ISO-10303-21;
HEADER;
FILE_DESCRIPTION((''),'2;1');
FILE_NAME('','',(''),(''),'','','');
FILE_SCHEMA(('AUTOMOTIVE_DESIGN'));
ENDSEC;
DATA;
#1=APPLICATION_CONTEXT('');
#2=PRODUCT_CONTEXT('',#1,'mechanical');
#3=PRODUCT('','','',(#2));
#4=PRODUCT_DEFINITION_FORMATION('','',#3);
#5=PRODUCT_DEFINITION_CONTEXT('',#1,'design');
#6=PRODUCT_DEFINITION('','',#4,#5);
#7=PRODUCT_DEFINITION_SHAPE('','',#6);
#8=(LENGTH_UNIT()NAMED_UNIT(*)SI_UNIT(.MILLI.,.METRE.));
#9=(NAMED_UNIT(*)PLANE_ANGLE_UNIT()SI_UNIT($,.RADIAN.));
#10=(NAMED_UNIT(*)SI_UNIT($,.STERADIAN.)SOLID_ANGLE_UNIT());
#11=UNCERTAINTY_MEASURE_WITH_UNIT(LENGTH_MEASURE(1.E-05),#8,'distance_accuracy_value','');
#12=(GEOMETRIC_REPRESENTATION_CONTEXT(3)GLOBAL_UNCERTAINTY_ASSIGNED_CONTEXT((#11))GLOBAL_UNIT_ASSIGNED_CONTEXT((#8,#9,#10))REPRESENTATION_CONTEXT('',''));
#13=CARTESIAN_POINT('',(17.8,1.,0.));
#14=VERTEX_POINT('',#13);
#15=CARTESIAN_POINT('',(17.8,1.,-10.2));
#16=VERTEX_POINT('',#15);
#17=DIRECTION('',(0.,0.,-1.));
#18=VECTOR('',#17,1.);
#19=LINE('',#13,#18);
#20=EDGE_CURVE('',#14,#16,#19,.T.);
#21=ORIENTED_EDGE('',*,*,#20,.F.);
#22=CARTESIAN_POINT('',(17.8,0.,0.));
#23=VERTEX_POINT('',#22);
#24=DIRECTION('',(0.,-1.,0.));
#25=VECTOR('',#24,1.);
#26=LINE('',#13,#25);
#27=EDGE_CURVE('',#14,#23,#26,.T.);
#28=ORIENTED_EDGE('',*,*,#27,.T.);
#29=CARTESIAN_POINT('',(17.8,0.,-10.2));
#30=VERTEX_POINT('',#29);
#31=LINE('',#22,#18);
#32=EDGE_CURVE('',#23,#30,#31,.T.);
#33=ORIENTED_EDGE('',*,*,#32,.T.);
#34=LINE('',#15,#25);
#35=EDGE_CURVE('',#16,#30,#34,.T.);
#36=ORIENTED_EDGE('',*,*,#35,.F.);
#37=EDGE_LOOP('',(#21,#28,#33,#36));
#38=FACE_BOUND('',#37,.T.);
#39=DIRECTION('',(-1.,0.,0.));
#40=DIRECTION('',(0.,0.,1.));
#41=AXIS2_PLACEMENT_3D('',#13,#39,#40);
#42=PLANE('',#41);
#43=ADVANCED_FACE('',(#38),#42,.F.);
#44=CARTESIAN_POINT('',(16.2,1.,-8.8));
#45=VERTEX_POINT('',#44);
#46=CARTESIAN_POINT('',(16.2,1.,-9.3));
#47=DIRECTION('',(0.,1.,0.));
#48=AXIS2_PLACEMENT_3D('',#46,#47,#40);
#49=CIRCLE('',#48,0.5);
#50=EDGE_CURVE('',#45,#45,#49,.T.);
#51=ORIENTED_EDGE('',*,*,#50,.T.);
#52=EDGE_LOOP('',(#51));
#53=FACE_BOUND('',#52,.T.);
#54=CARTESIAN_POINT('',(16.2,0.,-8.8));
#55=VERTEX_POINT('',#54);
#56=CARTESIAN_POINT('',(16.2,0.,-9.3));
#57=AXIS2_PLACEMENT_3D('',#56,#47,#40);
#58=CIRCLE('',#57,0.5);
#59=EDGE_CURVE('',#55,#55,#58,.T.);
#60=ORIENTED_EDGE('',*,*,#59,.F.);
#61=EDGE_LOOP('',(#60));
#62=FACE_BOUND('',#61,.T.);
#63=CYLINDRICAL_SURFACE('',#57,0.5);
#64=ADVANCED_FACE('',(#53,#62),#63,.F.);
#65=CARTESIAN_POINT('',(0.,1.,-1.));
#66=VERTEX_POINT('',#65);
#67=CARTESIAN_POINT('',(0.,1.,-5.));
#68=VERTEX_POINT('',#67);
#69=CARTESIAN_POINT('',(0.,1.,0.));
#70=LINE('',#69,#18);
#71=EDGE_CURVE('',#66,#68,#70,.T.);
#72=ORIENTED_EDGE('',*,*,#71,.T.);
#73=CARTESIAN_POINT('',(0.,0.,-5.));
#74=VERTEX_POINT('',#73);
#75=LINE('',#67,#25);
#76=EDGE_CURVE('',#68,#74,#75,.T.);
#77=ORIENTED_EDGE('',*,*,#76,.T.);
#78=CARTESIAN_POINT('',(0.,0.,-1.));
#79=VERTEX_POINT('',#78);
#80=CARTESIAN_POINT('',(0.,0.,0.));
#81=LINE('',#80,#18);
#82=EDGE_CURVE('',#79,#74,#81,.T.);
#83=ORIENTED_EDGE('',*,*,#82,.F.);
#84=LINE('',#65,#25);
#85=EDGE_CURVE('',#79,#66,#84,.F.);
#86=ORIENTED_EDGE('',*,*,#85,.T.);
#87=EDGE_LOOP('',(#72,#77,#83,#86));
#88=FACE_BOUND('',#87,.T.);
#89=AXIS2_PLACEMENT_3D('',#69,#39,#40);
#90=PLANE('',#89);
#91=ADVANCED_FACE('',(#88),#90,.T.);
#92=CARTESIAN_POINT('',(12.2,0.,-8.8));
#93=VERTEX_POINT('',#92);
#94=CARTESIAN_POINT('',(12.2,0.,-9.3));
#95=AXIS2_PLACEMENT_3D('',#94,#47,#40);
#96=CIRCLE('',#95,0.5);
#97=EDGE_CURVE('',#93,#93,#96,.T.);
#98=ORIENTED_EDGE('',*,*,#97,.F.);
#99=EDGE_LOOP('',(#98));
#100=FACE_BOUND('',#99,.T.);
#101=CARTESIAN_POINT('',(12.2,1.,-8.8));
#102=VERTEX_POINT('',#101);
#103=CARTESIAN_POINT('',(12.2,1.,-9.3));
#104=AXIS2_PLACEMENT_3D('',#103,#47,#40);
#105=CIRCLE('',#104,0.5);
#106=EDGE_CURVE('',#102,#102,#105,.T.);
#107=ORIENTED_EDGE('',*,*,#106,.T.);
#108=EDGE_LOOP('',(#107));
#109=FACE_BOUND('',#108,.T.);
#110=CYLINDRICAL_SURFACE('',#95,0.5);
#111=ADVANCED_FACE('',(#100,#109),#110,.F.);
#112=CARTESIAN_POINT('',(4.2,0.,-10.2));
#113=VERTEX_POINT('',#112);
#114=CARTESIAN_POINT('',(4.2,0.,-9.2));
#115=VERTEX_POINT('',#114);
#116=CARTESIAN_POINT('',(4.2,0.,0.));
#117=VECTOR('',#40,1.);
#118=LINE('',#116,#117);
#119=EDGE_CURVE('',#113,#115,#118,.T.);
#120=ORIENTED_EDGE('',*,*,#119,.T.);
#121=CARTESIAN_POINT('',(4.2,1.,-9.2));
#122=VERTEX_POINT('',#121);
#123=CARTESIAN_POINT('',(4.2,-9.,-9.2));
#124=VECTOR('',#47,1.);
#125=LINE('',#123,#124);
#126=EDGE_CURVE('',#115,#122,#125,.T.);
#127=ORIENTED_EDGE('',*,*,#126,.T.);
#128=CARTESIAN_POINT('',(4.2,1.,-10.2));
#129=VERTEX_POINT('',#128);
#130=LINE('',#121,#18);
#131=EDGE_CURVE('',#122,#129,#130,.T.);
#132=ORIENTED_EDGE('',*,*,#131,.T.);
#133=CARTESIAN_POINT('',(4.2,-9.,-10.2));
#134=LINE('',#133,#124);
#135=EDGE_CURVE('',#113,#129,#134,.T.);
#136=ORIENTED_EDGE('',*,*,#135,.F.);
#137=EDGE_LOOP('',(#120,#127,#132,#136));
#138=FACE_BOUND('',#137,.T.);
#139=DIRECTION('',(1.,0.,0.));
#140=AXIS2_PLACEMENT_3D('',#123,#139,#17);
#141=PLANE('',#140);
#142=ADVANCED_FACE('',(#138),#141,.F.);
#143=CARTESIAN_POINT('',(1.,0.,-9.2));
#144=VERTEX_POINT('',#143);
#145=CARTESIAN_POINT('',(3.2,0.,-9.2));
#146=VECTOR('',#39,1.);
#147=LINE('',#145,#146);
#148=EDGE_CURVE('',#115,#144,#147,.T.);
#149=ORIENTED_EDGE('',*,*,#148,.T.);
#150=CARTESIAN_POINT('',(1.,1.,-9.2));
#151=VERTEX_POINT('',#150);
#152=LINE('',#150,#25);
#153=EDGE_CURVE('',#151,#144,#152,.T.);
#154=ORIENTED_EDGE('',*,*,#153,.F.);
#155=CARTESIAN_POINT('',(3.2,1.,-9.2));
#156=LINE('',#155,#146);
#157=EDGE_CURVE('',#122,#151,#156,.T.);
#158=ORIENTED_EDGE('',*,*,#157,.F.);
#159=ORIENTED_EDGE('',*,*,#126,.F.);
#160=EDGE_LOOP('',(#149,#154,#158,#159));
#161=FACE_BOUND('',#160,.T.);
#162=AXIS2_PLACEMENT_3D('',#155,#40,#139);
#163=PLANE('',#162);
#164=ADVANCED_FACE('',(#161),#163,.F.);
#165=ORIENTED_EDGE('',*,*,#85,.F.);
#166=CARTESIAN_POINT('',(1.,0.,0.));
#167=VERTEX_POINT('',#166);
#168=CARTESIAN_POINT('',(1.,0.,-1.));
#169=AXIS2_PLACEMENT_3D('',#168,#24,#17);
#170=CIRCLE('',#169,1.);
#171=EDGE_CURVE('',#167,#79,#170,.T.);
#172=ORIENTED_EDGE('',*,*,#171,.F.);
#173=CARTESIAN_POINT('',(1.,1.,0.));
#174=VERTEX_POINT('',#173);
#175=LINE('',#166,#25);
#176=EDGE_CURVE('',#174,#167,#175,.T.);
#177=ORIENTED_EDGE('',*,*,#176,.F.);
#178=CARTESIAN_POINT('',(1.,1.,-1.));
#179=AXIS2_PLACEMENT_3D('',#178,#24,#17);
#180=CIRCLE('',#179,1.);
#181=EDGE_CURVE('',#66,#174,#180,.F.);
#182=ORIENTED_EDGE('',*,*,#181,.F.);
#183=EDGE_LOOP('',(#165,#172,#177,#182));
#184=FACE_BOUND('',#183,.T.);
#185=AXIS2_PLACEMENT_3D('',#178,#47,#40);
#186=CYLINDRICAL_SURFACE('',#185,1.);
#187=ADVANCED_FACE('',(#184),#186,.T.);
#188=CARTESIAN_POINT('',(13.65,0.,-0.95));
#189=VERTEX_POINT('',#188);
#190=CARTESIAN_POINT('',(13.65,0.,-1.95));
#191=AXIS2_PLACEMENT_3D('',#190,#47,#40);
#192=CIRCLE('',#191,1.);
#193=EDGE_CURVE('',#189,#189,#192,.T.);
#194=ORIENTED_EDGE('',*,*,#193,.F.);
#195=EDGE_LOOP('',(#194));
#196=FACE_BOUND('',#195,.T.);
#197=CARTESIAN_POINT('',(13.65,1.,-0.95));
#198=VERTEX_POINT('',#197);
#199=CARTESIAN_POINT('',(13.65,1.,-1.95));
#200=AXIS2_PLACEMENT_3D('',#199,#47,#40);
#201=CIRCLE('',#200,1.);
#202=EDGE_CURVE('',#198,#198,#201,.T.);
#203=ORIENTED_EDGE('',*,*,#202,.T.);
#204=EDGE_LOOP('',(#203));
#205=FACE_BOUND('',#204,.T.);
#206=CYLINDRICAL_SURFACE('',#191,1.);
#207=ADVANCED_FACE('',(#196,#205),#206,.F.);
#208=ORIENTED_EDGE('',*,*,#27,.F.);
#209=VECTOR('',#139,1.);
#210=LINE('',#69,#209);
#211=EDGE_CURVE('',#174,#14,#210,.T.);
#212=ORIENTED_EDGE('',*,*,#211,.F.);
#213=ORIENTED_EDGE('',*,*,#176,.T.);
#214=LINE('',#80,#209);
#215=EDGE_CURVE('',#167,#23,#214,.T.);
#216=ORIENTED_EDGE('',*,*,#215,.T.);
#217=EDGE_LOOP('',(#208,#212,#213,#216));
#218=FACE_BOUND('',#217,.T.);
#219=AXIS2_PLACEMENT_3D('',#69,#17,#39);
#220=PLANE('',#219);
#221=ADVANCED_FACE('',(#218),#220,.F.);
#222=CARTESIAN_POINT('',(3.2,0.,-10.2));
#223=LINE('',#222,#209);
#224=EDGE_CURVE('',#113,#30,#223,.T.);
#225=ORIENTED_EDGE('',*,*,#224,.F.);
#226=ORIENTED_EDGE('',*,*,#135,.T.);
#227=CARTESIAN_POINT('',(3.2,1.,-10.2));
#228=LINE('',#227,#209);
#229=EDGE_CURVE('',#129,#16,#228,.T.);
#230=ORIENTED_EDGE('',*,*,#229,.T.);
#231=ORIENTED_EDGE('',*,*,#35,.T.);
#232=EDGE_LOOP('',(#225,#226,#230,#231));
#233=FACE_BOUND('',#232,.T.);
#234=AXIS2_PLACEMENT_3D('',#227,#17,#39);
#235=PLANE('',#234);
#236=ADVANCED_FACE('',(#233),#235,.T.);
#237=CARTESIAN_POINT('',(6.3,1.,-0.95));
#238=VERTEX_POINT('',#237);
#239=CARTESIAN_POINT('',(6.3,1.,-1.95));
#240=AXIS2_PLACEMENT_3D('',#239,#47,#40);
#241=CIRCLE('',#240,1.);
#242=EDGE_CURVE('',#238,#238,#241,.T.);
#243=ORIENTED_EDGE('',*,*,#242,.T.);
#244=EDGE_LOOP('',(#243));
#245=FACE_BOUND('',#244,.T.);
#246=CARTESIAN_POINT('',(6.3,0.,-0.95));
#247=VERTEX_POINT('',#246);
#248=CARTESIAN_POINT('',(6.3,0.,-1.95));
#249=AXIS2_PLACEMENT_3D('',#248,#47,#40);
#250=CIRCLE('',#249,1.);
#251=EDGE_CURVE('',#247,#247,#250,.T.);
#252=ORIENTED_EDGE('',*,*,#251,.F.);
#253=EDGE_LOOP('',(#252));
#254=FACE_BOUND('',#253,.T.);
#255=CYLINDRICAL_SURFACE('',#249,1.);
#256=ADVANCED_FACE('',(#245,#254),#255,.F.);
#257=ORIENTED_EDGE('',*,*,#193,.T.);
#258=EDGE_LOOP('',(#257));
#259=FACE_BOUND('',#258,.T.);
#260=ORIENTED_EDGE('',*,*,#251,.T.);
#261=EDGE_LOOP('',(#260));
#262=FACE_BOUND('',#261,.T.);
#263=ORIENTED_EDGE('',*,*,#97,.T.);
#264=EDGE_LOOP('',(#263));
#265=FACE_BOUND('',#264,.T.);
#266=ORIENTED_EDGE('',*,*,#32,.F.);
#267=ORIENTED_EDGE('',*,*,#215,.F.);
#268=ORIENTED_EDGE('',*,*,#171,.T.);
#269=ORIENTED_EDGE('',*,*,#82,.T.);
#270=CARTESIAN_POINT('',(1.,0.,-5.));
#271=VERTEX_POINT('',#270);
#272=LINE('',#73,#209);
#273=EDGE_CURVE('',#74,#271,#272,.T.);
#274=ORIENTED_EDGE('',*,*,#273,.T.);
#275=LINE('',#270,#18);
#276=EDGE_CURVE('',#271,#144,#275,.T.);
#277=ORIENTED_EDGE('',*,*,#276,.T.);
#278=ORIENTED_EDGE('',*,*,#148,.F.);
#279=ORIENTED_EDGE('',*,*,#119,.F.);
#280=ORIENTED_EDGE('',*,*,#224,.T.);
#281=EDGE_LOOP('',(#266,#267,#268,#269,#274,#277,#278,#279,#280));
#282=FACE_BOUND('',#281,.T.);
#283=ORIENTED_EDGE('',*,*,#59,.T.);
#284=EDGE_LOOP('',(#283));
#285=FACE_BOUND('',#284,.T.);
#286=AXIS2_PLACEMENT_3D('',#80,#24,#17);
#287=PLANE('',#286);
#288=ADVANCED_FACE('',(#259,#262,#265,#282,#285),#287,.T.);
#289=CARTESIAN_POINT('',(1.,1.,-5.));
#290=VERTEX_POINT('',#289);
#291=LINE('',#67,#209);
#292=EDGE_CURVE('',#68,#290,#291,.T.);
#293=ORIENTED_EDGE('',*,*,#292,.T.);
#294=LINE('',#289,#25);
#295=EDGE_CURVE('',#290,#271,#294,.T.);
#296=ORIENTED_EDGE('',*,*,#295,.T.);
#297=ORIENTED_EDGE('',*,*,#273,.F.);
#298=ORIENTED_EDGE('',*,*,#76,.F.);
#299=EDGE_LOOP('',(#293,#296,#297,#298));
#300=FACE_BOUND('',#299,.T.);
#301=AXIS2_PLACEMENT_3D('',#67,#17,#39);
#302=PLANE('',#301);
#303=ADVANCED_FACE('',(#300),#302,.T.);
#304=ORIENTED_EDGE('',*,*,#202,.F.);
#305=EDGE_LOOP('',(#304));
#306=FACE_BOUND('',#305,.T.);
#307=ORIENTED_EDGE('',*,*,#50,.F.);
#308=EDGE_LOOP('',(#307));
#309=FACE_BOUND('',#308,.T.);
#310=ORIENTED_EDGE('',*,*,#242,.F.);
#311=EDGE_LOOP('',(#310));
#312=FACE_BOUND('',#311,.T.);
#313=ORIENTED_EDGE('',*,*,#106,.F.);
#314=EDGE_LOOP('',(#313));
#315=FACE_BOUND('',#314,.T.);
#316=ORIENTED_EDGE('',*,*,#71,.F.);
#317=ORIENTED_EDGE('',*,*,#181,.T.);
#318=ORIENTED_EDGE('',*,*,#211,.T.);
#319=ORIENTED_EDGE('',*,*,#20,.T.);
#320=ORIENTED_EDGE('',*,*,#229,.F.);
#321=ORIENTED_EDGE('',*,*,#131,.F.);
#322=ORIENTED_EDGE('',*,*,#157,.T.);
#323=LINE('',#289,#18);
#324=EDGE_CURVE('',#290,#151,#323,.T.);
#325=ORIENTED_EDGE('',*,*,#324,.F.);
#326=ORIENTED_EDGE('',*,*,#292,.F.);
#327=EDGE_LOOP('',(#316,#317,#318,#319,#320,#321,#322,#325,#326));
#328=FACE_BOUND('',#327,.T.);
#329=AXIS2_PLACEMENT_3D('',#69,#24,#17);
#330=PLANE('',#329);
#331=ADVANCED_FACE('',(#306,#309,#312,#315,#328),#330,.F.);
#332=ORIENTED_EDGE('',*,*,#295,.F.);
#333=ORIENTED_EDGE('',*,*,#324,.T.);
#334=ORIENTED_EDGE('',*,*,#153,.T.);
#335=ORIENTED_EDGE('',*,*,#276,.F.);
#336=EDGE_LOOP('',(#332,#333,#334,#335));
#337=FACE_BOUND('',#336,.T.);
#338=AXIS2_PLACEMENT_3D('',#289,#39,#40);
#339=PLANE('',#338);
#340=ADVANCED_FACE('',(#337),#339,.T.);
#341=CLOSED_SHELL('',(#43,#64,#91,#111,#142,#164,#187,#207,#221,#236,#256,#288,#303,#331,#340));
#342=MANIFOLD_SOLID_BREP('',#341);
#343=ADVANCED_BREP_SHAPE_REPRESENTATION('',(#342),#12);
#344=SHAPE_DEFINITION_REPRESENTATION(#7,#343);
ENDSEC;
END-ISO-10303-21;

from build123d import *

# Parameters (mm, degrees)
DODANIE_WYCI_GNI_CIE1_DEPTH = 1
SZKIC2_R                    = 0.5
SZKIC2_R_2                  = 1
WYTNIJ_WYCI_GNI_CIE1_DEPTH  = 1
ZAOKR_GLENIE1_R             = 1
SZKIC3_W                    = 1
SZKIC3_H                    = 1
WYTNIJ_WYCI_GNI_CIE2_DEPTH  = 10


with BuildPart() as part:
    # Szkic1 → Dodanie-wyciągnięcie1 (new body)
    with BuildSketch(Plane(origin=(0, 0, 0), x_dir=(1, 0, 0), z_dir=(0, 1, 0))):
        Polygon((0, 0), (17.8, 0), (17.8, 10.2), (3.2, 10.2), (3.2, 9.2), (1, 9.2), (1, 5), (0, 5), align=None)
    extrude(amount=DODANIE_WYCI_GNI_CIE1_DEPTH)

    # Szkic2 → Wytnij-wyciągnięcie1 (cut)
    with BuildSketch(Plane(origin=(0, 1, 0), x_dir=(1, 0, 0), z_dir=(0, 1, 0))):
        with Locations(Location((12.2, 9.3, 0), (0, 0, 270))):
            Circle(SZKIC2_R)
        with Locations(Location((16.2, 9.3, 0), (0, 0, 270))):
            Circle(SZKIC2_R)
        with Locations(Location((6.3, 1.95, 0), (0, 0, 270))):
            Circle(SZKIC2_R_2)
        with Locations(Location((13.65, 1.95, 0), (0, 0, 270))):
            Circle(SZKIC2_R_2)
    extrude(amount=-WYTNIJ_WYCI_GNI_CIE1_DEPTH, mode=Mode.SUBTRACT)

    # Zaokrąglenie1
    zaokr_glenie1_edges = [part.edges().sort_by_distance(p)[0] for p in [
        (0, 0.5, 0),
    ]]
    fillet(zaokr_glenie1_edges, radius=ZAOKR_GLENIE1_R)

    # Szkic3 → Wytnij-wyciągnięcie2 (cut)
    with BuildSketch(Plane(origin=(0, 1, 0), x_dir=(1, 0, 0), z_dir=(0, 1, 0))):
        with Locations((3.7, 9.7)):
            Rectangle(SZKIC3_W, SZKIC3_H)
    extrude(amount=-WYTNIJ_WYCI_GNI_CIE2_DEPTH, mode=Mode.SUBTRACT)


solid = part.part
